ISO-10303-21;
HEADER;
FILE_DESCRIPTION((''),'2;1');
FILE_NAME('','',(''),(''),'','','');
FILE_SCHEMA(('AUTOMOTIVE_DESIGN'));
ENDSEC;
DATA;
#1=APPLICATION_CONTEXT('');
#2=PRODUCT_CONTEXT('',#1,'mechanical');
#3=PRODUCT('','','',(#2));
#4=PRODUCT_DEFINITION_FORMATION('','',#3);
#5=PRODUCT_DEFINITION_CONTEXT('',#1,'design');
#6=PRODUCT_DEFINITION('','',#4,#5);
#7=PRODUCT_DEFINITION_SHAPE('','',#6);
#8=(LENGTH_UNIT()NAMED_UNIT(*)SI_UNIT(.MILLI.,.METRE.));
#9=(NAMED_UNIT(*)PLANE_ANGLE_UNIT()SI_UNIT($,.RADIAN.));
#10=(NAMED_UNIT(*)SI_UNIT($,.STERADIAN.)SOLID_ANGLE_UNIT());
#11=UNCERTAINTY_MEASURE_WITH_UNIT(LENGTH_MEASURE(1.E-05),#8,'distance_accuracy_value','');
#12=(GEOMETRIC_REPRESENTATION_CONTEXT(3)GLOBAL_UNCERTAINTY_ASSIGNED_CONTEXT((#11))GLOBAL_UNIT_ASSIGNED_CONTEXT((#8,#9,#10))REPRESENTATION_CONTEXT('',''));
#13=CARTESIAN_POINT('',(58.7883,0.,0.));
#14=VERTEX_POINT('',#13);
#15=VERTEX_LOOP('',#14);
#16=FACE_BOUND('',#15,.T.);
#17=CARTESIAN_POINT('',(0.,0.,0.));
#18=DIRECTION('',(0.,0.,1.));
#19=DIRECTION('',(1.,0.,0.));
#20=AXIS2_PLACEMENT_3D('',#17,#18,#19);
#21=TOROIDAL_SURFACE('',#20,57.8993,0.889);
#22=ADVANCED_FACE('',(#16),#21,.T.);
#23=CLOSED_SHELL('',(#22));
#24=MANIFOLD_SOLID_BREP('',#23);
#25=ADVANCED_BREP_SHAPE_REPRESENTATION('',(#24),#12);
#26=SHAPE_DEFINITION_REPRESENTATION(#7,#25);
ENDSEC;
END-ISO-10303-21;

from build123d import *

# Parameters (mm, degrees)
SKETCH1_R = 0.889


with BuildPart() as part:
    # Sketch1 → Revolve1 (revolve)
    with BuildSketch(Plane(origin=(0, 0, 0), x_dir=(0, -1, 0), z_dir=(1, 0, 0))):
        with Locations((57.8993, 0)):
            Circle(SKETCH1_R)
    revolve(axis=Axis((0, 0, 0.889), (0, 0, -1)))


solid = part.part
